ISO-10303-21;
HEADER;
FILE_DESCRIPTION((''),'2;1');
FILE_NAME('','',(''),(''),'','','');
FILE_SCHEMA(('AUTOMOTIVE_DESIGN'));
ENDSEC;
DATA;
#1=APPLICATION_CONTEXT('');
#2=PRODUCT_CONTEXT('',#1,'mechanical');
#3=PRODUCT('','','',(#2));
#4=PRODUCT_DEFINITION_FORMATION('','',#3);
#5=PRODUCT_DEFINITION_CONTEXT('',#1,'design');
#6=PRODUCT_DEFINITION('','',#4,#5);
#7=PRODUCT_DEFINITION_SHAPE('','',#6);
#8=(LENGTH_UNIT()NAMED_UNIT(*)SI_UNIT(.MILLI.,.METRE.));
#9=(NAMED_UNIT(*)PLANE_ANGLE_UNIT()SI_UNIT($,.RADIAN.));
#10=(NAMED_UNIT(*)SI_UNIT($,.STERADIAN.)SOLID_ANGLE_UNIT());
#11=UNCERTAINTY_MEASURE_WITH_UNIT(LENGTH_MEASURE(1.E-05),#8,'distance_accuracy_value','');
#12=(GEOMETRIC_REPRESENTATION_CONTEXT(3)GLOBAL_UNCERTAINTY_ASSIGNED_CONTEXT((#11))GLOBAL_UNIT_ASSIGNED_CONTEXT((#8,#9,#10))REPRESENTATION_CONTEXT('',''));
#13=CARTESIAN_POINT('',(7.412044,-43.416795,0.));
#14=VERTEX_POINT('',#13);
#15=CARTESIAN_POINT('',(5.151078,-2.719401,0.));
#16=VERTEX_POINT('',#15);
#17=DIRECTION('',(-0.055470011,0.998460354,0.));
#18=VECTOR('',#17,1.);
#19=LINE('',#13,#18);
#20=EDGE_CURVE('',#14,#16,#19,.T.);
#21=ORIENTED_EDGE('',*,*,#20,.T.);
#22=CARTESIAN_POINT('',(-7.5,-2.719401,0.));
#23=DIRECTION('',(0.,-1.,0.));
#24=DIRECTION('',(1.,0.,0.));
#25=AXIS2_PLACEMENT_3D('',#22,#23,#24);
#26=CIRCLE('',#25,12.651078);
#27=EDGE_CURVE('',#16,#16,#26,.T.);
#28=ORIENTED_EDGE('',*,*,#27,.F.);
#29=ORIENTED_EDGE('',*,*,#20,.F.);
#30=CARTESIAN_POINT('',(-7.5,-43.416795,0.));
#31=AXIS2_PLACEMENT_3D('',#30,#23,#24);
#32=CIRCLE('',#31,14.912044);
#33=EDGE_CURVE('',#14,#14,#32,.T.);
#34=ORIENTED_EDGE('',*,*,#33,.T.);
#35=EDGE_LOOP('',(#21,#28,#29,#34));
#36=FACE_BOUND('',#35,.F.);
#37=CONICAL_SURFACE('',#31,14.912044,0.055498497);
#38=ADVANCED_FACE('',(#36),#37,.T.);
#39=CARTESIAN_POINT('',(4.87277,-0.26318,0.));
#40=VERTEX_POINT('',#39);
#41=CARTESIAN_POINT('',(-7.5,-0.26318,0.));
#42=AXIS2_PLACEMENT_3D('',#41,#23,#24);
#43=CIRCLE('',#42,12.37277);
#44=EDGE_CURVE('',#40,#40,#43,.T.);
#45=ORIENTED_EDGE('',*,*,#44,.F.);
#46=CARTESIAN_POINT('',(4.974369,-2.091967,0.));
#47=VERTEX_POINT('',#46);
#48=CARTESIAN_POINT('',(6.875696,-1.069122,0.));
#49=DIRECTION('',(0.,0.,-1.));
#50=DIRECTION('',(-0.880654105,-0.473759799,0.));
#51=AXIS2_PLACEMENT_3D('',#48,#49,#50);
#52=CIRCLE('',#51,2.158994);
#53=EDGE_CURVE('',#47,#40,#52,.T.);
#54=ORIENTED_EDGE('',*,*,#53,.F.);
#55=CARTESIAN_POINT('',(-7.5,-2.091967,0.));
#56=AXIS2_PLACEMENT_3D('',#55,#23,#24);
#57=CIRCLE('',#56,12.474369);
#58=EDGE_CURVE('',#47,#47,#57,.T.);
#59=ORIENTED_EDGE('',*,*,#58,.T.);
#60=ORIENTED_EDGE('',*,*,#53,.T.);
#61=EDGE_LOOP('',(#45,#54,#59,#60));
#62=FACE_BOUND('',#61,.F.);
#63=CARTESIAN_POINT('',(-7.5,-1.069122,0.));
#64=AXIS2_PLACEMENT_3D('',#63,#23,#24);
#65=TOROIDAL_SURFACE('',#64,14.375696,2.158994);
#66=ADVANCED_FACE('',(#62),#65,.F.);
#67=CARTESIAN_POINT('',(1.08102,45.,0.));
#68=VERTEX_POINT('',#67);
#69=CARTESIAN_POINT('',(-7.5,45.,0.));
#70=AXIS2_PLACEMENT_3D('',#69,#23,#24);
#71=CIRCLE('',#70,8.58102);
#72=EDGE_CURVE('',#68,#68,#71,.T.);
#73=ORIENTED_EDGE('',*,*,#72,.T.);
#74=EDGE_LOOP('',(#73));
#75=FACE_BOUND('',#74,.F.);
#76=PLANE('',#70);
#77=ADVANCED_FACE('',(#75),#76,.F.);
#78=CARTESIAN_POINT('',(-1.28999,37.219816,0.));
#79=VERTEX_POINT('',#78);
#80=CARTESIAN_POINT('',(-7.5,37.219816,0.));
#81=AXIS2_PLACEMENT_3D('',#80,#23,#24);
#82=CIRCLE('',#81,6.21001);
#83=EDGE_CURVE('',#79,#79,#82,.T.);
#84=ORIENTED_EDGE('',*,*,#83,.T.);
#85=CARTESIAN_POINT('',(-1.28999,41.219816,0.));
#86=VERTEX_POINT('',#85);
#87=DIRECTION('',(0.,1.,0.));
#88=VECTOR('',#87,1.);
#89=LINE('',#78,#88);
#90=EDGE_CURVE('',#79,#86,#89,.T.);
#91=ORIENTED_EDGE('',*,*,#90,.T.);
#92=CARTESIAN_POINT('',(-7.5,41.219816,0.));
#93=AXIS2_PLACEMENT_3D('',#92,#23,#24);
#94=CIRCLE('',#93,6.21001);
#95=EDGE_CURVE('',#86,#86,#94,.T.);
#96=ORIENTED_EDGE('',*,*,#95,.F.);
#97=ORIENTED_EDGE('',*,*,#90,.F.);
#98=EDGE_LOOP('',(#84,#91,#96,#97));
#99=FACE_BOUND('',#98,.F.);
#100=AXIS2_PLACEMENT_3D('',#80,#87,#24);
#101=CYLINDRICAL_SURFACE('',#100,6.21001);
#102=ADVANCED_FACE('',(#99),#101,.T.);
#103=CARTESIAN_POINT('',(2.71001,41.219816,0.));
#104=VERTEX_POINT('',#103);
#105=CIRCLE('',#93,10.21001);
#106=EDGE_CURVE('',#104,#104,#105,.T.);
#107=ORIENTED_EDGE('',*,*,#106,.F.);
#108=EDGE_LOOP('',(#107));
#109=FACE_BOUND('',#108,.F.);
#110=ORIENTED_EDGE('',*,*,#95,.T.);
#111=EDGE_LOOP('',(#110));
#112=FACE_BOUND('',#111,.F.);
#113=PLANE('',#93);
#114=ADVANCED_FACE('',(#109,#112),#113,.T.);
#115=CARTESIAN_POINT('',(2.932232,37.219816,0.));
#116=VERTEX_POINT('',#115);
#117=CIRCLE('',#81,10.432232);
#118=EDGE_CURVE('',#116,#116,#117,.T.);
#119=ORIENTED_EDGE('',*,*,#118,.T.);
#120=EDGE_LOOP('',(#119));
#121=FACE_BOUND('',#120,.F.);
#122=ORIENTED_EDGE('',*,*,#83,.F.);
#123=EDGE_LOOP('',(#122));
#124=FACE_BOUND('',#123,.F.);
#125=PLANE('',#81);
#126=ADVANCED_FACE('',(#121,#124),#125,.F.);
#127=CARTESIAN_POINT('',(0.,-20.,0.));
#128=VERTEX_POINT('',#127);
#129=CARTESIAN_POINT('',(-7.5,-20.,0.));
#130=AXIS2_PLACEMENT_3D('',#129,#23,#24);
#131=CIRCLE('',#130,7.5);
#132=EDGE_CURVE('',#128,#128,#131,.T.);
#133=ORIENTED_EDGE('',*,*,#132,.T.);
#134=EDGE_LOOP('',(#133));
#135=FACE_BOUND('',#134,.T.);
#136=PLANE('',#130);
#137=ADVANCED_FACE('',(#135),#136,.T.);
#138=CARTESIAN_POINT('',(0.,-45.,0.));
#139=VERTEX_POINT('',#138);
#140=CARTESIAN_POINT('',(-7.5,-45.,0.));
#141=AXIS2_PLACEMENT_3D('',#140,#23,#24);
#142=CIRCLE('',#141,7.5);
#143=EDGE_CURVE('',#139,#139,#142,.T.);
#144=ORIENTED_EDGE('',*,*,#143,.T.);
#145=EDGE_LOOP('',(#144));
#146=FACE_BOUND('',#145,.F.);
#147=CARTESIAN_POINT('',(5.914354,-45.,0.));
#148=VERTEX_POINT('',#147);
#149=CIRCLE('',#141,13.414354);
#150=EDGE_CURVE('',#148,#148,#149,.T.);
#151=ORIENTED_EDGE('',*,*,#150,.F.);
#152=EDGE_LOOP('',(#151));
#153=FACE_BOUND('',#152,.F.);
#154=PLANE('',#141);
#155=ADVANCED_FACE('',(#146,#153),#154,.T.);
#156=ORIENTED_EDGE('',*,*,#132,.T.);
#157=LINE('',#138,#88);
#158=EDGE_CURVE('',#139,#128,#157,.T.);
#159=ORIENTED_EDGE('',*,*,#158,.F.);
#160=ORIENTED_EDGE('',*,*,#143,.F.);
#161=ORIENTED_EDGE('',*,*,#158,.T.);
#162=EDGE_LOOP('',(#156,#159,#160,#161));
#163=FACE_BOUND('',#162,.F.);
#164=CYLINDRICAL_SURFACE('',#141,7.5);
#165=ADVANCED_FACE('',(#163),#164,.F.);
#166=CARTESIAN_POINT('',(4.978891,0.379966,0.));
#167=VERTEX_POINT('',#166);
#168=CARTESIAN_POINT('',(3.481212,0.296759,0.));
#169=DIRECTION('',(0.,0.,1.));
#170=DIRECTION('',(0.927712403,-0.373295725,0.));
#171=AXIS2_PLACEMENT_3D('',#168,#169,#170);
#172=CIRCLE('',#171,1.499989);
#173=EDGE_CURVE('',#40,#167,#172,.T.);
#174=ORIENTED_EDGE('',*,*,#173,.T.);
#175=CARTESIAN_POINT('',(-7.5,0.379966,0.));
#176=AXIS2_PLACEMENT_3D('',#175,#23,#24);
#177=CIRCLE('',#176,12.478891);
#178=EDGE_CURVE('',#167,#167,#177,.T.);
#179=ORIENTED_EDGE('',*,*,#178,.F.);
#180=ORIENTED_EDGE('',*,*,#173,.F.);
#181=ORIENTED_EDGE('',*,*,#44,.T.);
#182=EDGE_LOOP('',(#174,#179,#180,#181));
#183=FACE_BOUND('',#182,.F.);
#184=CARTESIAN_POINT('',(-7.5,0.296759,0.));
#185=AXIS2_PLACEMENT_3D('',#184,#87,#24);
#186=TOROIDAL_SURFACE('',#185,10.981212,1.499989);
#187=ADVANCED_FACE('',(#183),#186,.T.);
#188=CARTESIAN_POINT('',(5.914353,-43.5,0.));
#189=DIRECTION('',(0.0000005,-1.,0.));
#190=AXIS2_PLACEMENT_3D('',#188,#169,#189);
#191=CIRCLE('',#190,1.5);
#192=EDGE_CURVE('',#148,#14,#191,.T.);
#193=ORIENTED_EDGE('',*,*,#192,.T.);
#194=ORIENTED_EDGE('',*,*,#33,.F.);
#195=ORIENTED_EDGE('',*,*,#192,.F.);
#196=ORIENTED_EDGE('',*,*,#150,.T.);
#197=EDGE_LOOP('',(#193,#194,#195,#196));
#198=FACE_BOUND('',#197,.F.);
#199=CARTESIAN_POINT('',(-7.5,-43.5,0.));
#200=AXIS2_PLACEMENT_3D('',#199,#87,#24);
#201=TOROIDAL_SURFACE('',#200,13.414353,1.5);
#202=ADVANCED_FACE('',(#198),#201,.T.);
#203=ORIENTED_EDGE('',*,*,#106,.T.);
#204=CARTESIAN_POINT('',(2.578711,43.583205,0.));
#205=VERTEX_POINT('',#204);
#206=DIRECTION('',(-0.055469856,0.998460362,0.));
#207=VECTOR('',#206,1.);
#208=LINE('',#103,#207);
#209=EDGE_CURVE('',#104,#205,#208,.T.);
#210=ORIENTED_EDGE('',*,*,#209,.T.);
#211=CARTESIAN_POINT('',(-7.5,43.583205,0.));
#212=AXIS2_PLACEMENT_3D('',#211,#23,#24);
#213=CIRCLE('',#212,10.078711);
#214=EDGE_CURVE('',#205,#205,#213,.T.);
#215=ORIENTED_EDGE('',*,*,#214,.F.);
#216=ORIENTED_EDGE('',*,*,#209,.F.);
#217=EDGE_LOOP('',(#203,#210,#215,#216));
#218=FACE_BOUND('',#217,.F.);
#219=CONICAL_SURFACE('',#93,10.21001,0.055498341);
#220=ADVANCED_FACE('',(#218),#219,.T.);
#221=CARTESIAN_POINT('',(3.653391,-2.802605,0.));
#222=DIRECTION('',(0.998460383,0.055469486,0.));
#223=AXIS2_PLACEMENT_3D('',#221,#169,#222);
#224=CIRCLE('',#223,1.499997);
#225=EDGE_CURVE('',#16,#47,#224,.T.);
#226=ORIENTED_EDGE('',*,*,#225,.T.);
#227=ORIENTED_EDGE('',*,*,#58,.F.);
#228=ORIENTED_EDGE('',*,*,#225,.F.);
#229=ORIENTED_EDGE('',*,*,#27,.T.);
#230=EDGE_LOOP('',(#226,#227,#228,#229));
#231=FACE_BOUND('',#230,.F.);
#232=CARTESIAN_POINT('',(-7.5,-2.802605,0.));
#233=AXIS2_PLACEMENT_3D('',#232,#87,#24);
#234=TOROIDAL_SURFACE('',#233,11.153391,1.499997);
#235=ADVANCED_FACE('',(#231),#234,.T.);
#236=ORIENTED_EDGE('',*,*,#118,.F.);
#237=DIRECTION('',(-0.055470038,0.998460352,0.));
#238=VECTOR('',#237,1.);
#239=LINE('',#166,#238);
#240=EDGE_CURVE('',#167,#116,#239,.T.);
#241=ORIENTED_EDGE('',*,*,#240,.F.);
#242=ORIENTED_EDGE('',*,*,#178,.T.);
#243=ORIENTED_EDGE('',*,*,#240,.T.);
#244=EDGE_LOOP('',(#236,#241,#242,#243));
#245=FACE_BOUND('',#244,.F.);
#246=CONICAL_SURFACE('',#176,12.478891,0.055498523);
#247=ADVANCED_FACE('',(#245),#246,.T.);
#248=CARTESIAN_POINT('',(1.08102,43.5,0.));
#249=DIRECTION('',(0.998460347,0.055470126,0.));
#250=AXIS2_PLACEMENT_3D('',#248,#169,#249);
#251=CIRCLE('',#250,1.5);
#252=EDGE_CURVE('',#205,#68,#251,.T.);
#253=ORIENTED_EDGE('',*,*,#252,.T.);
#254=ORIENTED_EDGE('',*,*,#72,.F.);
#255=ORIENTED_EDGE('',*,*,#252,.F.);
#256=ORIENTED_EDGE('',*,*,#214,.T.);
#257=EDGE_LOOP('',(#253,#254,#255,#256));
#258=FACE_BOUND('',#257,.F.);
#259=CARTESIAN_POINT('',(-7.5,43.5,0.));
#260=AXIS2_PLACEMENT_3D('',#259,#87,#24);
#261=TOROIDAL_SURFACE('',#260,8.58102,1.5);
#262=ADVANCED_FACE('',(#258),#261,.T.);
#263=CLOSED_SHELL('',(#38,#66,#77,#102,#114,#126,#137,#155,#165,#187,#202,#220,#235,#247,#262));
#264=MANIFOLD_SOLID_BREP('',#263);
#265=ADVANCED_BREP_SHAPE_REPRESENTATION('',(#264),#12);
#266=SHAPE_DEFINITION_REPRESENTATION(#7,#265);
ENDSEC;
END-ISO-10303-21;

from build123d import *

# Parameters (mm, degrees)
F2_R     = 7.5
F3_DEPTH = 25


with BuildPart() as f1:
    # F0 (on Top) → F1 (revolve)
    with BuildSketch(Plane.XY):
        with BuildLine():
            Line((1.08102, 45), (-7.5, 45))
            Line((-7.5, 45), (-7.5, -45))
            Line((-7.5, -45), (5.914354, -45))
            ThreePointArc((5.914354, -45), (7.004034, -44.530823), (7.412044, -43.416795))
            Line((7.412044, -43.416795), (5.151078, -2.719401))
            ThreePointArc((5.151078, -2.719401), (5.097218, -2.395969), (4.974369, -2.091967))
            ThreePointArc((4.974369, -2.091967), (4.720026, -1.188882), (4.87277, -0.26318))
            ThreePointArc((4.87277, -0.26318), (4.961189, 0.052559), (4.978891, 0.379966))
            Line((4.978891, 0.379966), (2.932232, 37.219816))
            Line((2.932232, 37.219816), (-1.28999, 37.219816))
            Line((-1.28999, 37.219816), (-1.28999, 41.219816))
            Line((-1.28999, 41.219816), (2.71001, 41.219816))
            Line((2.71001, 41.219816), (2.578711, 43.583205))
            ThreePointArc((2.578711, 43.583205), (2.111843, 44.589681), (1.08102, 45))
        make_face()
    revolve(axis=Axis((-7.5, 0, 0), (0, -1, 0)))

    # F2 (on face) → F3 (cut)
    with BuildSketch(Plane.XZ.offset(45)):
        with Locations((-7.5, 0)):
            Circle(F2_R)
    extrude(amount=-F3_DEPTH, mode=Mode.SUBTRACT)


solid = f1.part
